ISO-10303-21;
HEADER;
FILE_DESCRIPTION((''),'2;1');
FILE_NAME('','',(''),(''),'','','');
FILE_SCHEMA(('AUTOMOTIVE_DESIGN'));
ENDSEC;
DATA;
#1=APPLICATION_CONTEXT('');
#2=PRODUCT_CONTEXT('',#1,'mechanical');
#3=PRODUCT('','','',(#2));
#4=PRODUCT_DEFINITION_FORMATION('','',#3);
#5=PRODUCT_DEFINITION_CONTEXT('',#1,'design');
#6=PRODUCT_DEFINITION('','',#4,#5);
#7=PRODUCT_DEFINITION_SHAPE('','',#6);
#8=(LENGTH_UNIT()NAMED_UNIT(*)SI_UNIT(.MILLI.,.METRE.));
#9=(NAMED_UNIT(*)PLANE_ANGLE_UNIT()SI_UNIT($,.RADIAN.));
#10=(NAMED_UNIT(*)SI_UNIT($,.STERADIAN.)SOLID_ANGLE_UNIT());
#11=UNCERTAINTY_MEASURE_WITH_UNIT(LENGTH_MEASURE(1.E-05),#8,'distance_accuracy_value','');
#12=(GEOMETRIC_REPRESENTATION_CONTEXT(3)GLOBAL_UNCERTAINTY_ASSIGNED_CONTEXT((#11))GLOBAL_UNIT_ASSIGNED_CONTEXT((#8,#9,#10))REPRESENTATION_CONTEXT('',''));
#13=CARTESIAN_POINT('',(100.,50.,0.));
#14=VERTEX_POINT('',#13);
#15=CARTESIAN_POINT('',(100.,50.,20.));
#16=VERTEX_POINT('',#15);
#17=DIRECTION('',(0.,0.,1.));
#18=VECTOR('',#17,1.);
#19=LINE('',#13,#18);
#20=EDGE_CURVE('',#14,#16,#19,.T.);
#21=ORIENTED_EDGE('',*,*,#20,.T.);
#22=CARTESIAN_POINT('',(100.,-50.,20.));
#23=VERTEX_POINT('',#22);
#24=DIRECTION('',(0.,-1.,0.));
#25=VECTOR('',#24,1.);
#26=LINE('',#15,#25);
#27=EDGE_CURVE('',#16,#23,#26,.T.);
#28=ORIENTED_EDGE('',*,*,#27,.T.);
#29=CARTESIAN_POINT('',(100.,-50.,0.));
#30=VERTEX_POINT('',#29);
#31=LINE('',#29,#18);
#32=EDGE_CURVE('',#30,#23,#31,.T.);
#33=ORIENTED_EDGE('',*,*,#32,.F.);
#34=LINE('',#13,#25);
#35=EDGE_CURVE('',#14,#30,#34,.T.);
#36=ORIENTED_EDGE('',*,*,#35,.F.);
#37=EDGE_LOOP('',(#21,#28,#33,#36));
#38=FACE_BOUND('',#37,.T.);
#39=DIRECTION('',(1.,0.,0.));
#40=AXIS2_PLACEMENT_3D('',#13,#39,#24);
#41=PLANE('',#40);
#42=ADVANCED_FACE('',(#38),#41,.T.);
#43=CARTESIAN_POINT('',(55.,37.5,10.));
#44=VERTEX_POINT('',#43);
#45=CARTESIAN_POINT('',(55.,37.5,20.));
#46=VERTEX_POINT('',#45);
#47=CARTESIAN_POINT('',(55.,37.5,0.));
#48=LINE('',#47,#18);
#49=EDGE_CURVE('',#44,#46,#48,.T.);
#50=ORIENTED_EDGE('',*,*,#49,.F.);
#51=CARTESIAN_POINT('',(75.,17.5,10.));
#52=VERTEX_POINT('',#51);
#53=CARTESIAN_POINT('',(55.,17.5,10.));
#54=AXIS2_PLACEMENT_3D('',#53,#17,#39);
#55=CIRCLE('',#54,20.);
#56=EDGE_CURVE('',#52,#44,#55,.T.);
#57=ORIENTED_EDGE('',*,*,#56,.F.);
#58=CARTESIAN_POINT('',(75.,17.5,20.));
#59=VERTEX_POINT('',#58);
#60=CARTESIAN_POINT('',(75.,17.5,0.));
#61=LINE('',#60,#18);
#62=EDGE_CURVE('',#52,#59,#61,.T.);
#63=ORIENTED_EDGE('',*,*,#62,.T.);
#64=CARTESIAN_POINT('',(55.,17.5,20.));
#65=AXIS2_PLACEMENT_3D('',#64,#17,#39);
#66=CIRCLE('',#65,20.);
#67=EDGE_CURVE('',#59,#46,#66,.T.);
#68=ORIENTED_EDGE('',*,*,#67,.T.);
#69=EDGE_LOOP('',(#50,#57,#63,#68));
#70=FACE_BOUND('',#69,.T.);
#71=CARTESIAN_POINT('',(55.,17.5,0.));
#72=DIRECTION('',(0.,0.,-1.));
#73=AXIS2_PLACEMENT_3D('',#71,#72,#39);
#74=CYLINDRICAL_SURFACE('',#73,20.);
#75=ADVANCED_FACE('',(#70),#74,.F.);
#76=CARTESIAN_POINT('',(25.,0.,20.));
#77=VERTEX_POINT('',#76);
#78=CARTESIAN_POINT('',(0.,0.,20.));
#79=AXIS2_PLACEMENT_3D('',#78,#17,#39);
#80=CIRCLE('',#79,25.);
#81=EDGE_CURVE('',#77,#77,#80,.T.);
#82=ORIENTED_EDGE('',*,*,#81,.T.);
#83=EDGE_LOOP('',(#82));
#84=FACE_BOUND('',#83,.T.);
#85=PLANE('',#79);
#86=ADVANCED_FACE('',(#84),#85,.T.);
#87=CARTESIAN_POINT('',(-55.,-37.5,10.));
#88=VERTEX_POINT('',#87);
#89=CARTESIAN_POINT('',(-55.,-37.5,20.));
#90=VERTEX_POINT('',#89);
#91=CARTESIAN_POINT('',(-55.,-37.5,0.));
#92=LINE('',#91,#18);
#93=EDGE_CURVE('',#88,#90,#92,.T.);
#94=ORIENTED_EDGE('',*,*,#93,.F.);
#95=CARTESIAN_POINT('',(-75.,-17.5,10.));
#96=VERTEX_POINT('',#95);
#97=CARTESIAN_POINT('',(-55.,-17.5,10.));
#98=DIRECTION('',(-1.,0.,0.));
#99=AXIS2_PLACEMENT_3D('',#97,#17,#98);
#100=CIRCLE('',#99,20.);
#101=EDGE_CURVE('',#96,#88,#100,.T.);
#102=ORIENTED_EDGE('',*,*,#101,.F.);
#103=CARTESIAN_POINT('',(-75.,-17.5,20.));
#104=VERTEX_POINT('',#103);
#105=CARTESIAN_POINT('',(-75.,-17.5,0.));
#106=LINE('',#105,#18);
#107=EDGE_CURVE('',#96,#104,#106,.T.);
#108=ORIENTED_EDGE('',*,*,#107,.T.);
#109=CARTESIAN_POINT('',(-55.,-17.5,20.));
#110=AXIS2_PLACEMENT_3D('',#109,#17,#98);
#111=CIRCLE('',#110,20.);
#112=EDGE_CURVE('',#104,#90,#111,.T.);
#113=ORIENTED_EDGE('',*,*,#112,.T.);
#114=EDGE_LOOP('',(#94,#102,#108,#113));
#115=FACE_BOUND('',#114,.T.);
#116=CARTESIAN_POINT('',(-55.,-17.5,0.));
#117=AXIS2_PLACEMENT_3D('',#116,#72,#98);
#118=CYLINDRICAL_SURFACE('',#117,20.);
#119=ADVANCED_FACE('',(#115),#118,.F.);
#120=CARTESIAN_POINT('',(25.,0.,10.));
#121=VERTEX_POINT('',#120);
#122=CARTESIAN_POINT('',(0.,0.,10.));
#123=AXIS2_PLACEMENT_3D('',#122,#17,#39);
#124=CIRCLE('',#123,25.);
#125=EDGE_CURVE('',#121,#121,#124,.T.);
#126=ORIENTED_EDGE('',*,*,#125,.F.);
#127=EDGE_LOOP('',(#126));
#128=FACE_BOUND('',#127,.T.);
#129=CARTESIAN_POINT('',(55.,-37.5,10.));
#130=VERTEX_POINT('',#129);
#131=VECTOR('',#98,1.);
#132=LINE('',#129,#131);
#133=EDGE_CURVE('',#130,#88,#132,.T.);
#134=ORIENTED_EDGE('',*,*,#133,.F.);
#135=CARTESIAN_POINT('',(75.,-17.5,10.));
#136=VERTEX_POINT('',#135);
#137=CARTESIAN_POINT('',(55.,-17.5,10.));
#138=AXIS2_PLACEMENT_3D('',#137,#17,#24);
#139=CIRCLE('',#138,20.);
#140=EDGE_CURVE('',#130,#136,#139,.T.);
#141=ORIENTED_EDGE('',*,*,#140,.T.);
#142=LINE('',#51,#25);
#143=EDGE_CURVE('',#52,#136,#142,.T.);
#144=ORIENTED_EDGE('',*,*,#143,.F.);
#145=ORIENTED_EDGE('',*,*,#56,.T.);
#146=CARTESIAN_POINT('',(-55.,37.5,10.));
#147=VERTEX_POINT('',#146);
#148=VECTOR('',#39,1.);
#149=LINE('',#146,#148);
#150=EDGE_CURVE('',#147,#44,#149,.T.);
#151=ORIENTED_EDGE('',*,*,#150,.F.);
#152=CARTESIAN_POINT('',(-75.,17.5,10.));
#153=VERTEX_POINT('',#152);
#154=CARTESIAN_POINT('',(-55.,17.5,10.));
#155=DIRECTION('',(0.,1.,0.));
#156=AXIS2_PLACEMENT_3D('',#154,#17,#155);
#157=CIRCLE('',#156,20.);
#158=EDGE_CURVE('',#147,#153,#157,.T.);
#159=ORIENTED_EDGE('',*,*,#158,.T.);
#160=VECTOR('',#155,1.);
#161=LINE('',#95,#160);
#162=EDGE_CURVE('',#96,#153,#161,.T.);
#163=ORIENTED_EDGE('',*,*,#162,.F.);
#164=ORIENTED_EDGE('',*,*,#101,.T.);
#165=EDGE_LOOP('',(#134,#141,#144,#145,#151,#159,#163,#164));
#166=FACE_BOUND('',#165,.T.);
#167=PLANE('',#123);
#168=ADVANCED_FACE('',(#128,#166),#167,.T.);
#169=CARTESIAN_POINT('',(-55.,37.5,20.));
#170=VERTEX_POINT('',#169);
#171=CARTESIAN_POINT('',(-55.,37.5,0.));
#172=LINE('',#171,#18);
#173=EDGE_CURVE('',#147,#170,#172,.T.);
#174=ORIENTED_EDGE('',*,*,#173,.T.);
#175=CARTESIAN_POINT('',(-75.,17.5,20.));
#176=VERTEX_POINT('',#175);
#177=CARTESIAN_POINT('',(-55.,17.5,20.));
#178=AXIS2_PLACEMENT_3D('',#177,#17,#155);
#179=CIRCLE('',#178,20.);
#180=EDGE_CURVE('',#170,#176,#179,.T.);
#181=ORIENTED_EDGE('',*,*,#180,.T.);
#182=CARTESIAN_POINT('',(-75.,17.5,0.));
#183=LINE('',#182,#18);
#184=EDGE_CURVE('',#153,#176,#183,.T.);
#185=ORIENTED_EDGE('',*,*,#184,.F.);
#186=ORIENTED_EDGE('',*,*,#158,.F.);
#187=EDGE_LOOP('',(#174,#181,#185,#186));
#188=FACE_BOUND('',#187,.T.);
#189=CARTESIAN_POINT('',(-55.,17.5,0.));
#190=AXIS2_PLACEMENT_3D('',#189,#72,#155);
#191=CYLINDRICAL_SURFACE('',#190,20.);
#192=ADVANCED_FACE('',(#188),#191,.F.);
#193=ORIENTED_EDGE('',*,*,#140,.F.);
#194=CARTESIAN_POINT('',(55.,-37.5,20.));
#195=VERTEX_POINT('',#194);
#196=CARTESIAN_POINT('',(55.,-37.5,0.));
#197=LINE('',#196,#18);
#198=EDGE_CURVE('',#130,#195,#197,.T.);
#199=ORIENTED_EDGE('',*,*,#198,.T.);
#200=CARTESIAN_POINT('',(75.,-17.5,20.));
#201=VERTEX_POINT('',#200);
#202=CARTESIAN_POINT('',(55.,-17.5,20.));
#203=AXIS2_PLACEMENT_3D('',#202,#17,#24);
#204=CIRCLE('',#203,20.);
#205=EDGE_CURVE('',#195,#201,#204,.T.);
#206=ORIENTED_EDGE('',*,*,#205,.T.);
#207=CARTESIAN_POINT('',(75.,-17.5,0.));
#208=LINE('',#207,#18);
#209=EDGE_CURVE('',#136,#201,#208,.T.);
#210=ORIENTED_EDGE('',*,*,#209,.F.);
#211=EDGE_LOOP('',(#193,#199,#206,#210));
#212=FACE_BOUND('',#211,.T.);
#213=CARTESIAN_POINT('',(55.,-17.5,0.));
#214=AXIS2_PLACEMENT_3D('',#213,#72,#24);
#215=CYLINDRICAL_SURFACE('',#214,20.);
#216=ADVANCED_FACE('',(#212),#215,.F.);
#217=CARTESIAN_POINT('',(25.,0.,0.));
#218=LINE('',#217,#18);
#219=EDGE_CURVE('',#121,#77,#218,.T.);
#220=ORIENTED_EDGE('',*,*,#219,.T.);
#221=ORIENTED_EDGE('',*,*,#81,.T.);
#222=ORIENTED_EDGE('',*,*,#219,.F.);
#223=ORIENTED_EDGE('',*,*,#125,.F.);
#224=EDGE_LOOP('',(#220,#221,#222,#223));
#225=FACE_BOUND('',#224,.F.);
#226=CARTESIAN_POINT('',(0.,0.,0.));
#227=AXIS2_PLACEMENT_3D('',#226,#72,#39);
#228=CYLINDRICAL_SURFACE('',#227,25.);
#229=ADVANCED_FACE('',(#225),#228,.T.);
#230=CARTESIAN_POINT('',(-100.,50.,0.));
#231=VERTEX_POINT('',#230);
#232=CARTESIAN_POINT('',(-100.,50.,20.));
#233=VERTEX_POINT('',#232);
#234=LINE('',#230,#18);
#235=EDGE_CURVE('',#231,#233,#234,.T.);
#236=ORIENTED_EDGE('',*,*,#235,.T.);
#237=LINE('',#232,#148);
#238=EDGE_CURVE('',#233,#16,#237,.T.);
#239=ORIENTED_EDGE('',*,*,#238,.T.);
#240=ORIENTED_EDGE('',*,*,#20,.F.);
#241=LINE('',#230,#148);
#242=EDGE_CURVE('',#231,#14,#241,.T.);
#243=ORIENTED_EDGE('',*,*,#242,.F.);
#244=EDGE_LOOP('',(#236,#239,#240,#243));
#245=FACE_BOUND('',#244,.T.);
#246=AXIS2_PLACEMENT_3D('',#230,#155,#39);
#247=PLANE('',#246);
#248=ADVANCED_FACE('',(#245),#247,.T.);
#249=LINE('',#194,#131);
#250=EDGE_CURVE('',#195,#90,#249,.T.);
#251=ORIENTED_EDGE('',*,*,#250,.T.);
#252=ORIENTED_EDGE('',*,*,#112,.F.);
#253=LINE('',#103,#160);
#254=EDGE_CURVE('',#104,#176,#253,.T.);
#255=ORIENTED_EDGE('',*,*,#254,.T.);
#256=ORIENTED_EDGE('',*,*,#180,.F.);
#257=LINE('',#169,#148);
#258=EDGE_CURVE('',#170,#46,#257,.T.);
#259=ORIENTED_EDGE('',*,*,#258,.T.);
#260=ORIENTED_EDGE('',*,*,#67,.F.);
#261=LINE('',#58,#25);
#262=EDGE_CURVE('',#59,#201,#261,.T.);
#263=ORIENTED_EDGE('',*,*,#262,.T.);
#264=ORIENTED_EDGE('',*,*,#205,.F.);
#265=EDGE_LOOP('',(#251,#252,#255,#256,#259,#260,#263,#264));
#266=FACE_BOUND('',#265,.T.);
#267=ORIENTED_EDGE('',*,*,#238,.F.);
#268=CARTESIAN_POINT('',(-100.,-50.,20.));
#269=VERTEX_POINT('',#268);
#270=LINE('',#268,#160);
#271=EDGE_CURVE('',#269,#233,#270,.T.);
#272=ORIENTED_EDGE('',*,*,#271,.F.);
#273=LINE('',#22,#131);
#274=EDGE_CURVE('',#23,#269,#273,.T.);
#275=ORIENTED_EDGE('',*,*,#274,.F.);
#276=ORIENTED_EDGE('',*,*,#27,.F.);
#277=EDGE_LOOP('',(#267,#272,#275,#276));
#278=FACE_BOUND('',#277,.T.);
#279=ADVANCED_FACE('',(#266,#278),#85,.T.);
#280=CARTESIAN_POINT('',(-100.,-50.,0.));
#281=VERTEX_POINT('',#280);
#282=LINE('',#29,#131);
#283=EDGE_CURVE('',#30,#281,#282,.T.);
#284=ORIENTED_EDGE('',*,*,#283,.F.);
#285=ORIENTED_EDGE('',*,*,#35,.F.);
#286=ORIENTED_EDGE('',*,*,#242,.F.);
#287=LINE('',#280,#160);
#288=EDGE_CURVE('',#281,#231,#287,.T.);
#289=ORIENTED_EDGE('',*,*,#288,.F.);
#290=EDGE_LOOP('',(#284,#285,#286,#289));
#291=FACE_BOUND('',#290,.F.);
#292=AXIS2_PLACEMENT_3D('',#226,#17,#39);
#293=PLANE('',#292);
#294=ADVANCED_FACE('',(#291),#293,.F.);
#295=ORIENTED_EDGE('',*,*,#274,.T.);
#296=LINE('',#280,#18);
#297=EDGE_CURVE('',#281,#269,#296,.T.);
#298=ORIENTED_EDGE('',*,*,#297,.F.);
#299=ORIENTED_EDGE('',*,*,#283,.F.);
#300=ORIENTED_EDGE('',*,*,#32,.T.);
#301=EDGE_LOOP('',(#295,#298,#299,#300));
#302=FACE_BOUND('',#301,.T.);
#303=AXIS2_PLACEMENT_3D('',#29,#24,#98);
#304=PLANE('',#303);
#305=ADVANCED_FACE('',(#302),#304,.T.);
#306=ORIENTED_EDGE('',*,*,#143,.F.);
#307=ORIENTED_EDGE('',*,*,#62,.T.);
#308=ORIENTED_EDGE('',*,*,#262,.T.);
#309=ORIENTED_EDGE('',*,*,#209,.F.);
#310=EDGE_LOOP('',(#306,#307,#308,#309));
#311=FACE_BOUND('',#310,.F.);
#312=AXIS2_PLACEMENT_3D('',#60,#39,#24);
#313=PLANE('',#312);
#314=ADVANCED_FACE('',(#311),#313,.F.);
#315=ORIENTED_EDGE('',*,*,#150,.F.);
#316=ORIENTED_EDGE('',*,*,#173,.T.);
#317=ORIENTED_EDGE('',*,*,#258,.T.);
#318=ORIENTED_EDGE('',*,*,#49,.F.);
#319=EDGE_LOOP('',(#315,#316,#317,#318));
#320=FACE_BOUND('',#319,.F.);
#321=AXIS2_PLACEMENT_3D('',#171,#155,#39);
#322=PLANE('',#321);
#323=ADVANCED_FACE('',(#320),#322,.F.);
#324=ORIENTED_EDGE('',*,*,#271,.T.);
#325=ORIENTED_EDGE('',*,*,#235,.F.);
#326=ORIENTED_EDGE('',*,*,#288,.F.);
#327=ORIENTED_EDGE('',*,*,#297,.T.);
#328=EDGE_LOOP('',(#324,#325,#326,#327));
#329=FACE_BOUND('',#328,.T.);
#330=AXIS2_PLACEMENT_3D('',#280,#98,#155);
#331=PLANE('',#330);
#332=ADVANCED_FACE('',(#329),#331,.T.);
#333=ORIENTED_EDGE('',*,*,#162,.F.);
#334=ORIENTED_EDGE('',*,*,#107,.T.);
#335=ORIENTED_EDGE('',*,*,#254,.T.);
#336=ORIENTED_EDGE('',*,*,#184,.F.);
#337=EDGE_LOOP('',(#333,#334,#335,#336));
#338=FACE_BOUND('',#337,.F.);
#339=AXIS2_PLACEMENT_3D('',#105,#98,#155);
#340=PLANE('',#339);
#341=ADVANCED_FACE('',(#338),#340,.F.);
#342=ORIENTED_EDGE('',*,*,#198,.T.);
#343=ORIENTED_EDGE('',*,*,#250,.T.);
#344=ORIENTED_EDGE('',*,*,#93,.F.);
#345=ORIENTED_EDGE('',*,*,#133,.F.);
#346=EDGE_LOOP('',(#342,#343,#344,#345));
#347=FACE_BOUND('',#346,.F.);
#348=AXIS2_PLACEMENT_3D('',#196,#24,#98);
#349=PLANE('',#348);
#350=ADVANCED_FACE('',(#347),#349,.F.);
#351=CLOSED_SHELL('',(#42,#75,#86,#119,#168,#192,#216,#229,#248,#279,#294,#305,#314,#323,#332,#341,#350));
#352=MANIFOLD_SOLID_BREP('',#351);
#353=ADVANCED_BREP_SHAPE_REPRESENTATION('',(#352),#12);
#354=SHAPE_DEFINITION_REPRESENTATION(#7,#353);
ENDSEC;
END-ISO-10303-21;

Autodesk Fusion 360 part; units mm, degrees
sketch "Sketch1" plane through (0, 0, 0) normal (0, 0, 1) x (1, 0, 0)
  line L0 (-100, 50) -> (100, 50)
  line L1 (100, 50) -> (100, -50)
  line L2 (100, -50) -> (-100, -50)
  line L3 (-100, -50) -> (-100, 50)
  line L4 (-100, 50) -> (100, -50) construction
  line L5 (100, 50) -> (-100, -50) construction
  line L6 (-55, 37.5) -> (55, 37.5)
  line L7 (75, 17.5) -> (75, -17.5)
  line L8 (55, -37.5) -> (-55, -37.5)
  line L9 (-75, -17.5) -> (-75, 17.5)
  line L10 (-75, 37.5) -> (75, -37.5) construction
  line L11 (75, 37.5) -> (-75, -37.5) construction
  arc A0 (-55, 37.5) -> (-75, 17.5) centre (-55, 17.5) ccw
  arc A1 (-75, -17.5) -> (-55, -37.5) centre (-55, -17.5) ccw
  arc A2 (55, -37.5) -> (75, -17.5) centre (55, -17.5) ccw
  arc A3 (75, 17.5) -> (55, 37.5) centre (55, 17.5) ccw
  circle A4 centre (0, 0) radius 25
  dimension "d1" = 200
  dimension "d2" = 100
  dimension "d3" = 150
  dimension "d4" = 75
  dimension "d5" = 20
  dimension "d6" = 20
  dimension "d7" = 50
extrude "Extrude1" add sketch "Sketch1" along normal blind 20 contours L0 L1 L2 L3
extrude "Extrude2" add sketch "Sketch1" along normal blind 10 contours L6 L7 L8 L9 A0 A1 A2 A3
extrude "Extrude3" add sketch "Sketch1" along normal blind 20 contours A4
